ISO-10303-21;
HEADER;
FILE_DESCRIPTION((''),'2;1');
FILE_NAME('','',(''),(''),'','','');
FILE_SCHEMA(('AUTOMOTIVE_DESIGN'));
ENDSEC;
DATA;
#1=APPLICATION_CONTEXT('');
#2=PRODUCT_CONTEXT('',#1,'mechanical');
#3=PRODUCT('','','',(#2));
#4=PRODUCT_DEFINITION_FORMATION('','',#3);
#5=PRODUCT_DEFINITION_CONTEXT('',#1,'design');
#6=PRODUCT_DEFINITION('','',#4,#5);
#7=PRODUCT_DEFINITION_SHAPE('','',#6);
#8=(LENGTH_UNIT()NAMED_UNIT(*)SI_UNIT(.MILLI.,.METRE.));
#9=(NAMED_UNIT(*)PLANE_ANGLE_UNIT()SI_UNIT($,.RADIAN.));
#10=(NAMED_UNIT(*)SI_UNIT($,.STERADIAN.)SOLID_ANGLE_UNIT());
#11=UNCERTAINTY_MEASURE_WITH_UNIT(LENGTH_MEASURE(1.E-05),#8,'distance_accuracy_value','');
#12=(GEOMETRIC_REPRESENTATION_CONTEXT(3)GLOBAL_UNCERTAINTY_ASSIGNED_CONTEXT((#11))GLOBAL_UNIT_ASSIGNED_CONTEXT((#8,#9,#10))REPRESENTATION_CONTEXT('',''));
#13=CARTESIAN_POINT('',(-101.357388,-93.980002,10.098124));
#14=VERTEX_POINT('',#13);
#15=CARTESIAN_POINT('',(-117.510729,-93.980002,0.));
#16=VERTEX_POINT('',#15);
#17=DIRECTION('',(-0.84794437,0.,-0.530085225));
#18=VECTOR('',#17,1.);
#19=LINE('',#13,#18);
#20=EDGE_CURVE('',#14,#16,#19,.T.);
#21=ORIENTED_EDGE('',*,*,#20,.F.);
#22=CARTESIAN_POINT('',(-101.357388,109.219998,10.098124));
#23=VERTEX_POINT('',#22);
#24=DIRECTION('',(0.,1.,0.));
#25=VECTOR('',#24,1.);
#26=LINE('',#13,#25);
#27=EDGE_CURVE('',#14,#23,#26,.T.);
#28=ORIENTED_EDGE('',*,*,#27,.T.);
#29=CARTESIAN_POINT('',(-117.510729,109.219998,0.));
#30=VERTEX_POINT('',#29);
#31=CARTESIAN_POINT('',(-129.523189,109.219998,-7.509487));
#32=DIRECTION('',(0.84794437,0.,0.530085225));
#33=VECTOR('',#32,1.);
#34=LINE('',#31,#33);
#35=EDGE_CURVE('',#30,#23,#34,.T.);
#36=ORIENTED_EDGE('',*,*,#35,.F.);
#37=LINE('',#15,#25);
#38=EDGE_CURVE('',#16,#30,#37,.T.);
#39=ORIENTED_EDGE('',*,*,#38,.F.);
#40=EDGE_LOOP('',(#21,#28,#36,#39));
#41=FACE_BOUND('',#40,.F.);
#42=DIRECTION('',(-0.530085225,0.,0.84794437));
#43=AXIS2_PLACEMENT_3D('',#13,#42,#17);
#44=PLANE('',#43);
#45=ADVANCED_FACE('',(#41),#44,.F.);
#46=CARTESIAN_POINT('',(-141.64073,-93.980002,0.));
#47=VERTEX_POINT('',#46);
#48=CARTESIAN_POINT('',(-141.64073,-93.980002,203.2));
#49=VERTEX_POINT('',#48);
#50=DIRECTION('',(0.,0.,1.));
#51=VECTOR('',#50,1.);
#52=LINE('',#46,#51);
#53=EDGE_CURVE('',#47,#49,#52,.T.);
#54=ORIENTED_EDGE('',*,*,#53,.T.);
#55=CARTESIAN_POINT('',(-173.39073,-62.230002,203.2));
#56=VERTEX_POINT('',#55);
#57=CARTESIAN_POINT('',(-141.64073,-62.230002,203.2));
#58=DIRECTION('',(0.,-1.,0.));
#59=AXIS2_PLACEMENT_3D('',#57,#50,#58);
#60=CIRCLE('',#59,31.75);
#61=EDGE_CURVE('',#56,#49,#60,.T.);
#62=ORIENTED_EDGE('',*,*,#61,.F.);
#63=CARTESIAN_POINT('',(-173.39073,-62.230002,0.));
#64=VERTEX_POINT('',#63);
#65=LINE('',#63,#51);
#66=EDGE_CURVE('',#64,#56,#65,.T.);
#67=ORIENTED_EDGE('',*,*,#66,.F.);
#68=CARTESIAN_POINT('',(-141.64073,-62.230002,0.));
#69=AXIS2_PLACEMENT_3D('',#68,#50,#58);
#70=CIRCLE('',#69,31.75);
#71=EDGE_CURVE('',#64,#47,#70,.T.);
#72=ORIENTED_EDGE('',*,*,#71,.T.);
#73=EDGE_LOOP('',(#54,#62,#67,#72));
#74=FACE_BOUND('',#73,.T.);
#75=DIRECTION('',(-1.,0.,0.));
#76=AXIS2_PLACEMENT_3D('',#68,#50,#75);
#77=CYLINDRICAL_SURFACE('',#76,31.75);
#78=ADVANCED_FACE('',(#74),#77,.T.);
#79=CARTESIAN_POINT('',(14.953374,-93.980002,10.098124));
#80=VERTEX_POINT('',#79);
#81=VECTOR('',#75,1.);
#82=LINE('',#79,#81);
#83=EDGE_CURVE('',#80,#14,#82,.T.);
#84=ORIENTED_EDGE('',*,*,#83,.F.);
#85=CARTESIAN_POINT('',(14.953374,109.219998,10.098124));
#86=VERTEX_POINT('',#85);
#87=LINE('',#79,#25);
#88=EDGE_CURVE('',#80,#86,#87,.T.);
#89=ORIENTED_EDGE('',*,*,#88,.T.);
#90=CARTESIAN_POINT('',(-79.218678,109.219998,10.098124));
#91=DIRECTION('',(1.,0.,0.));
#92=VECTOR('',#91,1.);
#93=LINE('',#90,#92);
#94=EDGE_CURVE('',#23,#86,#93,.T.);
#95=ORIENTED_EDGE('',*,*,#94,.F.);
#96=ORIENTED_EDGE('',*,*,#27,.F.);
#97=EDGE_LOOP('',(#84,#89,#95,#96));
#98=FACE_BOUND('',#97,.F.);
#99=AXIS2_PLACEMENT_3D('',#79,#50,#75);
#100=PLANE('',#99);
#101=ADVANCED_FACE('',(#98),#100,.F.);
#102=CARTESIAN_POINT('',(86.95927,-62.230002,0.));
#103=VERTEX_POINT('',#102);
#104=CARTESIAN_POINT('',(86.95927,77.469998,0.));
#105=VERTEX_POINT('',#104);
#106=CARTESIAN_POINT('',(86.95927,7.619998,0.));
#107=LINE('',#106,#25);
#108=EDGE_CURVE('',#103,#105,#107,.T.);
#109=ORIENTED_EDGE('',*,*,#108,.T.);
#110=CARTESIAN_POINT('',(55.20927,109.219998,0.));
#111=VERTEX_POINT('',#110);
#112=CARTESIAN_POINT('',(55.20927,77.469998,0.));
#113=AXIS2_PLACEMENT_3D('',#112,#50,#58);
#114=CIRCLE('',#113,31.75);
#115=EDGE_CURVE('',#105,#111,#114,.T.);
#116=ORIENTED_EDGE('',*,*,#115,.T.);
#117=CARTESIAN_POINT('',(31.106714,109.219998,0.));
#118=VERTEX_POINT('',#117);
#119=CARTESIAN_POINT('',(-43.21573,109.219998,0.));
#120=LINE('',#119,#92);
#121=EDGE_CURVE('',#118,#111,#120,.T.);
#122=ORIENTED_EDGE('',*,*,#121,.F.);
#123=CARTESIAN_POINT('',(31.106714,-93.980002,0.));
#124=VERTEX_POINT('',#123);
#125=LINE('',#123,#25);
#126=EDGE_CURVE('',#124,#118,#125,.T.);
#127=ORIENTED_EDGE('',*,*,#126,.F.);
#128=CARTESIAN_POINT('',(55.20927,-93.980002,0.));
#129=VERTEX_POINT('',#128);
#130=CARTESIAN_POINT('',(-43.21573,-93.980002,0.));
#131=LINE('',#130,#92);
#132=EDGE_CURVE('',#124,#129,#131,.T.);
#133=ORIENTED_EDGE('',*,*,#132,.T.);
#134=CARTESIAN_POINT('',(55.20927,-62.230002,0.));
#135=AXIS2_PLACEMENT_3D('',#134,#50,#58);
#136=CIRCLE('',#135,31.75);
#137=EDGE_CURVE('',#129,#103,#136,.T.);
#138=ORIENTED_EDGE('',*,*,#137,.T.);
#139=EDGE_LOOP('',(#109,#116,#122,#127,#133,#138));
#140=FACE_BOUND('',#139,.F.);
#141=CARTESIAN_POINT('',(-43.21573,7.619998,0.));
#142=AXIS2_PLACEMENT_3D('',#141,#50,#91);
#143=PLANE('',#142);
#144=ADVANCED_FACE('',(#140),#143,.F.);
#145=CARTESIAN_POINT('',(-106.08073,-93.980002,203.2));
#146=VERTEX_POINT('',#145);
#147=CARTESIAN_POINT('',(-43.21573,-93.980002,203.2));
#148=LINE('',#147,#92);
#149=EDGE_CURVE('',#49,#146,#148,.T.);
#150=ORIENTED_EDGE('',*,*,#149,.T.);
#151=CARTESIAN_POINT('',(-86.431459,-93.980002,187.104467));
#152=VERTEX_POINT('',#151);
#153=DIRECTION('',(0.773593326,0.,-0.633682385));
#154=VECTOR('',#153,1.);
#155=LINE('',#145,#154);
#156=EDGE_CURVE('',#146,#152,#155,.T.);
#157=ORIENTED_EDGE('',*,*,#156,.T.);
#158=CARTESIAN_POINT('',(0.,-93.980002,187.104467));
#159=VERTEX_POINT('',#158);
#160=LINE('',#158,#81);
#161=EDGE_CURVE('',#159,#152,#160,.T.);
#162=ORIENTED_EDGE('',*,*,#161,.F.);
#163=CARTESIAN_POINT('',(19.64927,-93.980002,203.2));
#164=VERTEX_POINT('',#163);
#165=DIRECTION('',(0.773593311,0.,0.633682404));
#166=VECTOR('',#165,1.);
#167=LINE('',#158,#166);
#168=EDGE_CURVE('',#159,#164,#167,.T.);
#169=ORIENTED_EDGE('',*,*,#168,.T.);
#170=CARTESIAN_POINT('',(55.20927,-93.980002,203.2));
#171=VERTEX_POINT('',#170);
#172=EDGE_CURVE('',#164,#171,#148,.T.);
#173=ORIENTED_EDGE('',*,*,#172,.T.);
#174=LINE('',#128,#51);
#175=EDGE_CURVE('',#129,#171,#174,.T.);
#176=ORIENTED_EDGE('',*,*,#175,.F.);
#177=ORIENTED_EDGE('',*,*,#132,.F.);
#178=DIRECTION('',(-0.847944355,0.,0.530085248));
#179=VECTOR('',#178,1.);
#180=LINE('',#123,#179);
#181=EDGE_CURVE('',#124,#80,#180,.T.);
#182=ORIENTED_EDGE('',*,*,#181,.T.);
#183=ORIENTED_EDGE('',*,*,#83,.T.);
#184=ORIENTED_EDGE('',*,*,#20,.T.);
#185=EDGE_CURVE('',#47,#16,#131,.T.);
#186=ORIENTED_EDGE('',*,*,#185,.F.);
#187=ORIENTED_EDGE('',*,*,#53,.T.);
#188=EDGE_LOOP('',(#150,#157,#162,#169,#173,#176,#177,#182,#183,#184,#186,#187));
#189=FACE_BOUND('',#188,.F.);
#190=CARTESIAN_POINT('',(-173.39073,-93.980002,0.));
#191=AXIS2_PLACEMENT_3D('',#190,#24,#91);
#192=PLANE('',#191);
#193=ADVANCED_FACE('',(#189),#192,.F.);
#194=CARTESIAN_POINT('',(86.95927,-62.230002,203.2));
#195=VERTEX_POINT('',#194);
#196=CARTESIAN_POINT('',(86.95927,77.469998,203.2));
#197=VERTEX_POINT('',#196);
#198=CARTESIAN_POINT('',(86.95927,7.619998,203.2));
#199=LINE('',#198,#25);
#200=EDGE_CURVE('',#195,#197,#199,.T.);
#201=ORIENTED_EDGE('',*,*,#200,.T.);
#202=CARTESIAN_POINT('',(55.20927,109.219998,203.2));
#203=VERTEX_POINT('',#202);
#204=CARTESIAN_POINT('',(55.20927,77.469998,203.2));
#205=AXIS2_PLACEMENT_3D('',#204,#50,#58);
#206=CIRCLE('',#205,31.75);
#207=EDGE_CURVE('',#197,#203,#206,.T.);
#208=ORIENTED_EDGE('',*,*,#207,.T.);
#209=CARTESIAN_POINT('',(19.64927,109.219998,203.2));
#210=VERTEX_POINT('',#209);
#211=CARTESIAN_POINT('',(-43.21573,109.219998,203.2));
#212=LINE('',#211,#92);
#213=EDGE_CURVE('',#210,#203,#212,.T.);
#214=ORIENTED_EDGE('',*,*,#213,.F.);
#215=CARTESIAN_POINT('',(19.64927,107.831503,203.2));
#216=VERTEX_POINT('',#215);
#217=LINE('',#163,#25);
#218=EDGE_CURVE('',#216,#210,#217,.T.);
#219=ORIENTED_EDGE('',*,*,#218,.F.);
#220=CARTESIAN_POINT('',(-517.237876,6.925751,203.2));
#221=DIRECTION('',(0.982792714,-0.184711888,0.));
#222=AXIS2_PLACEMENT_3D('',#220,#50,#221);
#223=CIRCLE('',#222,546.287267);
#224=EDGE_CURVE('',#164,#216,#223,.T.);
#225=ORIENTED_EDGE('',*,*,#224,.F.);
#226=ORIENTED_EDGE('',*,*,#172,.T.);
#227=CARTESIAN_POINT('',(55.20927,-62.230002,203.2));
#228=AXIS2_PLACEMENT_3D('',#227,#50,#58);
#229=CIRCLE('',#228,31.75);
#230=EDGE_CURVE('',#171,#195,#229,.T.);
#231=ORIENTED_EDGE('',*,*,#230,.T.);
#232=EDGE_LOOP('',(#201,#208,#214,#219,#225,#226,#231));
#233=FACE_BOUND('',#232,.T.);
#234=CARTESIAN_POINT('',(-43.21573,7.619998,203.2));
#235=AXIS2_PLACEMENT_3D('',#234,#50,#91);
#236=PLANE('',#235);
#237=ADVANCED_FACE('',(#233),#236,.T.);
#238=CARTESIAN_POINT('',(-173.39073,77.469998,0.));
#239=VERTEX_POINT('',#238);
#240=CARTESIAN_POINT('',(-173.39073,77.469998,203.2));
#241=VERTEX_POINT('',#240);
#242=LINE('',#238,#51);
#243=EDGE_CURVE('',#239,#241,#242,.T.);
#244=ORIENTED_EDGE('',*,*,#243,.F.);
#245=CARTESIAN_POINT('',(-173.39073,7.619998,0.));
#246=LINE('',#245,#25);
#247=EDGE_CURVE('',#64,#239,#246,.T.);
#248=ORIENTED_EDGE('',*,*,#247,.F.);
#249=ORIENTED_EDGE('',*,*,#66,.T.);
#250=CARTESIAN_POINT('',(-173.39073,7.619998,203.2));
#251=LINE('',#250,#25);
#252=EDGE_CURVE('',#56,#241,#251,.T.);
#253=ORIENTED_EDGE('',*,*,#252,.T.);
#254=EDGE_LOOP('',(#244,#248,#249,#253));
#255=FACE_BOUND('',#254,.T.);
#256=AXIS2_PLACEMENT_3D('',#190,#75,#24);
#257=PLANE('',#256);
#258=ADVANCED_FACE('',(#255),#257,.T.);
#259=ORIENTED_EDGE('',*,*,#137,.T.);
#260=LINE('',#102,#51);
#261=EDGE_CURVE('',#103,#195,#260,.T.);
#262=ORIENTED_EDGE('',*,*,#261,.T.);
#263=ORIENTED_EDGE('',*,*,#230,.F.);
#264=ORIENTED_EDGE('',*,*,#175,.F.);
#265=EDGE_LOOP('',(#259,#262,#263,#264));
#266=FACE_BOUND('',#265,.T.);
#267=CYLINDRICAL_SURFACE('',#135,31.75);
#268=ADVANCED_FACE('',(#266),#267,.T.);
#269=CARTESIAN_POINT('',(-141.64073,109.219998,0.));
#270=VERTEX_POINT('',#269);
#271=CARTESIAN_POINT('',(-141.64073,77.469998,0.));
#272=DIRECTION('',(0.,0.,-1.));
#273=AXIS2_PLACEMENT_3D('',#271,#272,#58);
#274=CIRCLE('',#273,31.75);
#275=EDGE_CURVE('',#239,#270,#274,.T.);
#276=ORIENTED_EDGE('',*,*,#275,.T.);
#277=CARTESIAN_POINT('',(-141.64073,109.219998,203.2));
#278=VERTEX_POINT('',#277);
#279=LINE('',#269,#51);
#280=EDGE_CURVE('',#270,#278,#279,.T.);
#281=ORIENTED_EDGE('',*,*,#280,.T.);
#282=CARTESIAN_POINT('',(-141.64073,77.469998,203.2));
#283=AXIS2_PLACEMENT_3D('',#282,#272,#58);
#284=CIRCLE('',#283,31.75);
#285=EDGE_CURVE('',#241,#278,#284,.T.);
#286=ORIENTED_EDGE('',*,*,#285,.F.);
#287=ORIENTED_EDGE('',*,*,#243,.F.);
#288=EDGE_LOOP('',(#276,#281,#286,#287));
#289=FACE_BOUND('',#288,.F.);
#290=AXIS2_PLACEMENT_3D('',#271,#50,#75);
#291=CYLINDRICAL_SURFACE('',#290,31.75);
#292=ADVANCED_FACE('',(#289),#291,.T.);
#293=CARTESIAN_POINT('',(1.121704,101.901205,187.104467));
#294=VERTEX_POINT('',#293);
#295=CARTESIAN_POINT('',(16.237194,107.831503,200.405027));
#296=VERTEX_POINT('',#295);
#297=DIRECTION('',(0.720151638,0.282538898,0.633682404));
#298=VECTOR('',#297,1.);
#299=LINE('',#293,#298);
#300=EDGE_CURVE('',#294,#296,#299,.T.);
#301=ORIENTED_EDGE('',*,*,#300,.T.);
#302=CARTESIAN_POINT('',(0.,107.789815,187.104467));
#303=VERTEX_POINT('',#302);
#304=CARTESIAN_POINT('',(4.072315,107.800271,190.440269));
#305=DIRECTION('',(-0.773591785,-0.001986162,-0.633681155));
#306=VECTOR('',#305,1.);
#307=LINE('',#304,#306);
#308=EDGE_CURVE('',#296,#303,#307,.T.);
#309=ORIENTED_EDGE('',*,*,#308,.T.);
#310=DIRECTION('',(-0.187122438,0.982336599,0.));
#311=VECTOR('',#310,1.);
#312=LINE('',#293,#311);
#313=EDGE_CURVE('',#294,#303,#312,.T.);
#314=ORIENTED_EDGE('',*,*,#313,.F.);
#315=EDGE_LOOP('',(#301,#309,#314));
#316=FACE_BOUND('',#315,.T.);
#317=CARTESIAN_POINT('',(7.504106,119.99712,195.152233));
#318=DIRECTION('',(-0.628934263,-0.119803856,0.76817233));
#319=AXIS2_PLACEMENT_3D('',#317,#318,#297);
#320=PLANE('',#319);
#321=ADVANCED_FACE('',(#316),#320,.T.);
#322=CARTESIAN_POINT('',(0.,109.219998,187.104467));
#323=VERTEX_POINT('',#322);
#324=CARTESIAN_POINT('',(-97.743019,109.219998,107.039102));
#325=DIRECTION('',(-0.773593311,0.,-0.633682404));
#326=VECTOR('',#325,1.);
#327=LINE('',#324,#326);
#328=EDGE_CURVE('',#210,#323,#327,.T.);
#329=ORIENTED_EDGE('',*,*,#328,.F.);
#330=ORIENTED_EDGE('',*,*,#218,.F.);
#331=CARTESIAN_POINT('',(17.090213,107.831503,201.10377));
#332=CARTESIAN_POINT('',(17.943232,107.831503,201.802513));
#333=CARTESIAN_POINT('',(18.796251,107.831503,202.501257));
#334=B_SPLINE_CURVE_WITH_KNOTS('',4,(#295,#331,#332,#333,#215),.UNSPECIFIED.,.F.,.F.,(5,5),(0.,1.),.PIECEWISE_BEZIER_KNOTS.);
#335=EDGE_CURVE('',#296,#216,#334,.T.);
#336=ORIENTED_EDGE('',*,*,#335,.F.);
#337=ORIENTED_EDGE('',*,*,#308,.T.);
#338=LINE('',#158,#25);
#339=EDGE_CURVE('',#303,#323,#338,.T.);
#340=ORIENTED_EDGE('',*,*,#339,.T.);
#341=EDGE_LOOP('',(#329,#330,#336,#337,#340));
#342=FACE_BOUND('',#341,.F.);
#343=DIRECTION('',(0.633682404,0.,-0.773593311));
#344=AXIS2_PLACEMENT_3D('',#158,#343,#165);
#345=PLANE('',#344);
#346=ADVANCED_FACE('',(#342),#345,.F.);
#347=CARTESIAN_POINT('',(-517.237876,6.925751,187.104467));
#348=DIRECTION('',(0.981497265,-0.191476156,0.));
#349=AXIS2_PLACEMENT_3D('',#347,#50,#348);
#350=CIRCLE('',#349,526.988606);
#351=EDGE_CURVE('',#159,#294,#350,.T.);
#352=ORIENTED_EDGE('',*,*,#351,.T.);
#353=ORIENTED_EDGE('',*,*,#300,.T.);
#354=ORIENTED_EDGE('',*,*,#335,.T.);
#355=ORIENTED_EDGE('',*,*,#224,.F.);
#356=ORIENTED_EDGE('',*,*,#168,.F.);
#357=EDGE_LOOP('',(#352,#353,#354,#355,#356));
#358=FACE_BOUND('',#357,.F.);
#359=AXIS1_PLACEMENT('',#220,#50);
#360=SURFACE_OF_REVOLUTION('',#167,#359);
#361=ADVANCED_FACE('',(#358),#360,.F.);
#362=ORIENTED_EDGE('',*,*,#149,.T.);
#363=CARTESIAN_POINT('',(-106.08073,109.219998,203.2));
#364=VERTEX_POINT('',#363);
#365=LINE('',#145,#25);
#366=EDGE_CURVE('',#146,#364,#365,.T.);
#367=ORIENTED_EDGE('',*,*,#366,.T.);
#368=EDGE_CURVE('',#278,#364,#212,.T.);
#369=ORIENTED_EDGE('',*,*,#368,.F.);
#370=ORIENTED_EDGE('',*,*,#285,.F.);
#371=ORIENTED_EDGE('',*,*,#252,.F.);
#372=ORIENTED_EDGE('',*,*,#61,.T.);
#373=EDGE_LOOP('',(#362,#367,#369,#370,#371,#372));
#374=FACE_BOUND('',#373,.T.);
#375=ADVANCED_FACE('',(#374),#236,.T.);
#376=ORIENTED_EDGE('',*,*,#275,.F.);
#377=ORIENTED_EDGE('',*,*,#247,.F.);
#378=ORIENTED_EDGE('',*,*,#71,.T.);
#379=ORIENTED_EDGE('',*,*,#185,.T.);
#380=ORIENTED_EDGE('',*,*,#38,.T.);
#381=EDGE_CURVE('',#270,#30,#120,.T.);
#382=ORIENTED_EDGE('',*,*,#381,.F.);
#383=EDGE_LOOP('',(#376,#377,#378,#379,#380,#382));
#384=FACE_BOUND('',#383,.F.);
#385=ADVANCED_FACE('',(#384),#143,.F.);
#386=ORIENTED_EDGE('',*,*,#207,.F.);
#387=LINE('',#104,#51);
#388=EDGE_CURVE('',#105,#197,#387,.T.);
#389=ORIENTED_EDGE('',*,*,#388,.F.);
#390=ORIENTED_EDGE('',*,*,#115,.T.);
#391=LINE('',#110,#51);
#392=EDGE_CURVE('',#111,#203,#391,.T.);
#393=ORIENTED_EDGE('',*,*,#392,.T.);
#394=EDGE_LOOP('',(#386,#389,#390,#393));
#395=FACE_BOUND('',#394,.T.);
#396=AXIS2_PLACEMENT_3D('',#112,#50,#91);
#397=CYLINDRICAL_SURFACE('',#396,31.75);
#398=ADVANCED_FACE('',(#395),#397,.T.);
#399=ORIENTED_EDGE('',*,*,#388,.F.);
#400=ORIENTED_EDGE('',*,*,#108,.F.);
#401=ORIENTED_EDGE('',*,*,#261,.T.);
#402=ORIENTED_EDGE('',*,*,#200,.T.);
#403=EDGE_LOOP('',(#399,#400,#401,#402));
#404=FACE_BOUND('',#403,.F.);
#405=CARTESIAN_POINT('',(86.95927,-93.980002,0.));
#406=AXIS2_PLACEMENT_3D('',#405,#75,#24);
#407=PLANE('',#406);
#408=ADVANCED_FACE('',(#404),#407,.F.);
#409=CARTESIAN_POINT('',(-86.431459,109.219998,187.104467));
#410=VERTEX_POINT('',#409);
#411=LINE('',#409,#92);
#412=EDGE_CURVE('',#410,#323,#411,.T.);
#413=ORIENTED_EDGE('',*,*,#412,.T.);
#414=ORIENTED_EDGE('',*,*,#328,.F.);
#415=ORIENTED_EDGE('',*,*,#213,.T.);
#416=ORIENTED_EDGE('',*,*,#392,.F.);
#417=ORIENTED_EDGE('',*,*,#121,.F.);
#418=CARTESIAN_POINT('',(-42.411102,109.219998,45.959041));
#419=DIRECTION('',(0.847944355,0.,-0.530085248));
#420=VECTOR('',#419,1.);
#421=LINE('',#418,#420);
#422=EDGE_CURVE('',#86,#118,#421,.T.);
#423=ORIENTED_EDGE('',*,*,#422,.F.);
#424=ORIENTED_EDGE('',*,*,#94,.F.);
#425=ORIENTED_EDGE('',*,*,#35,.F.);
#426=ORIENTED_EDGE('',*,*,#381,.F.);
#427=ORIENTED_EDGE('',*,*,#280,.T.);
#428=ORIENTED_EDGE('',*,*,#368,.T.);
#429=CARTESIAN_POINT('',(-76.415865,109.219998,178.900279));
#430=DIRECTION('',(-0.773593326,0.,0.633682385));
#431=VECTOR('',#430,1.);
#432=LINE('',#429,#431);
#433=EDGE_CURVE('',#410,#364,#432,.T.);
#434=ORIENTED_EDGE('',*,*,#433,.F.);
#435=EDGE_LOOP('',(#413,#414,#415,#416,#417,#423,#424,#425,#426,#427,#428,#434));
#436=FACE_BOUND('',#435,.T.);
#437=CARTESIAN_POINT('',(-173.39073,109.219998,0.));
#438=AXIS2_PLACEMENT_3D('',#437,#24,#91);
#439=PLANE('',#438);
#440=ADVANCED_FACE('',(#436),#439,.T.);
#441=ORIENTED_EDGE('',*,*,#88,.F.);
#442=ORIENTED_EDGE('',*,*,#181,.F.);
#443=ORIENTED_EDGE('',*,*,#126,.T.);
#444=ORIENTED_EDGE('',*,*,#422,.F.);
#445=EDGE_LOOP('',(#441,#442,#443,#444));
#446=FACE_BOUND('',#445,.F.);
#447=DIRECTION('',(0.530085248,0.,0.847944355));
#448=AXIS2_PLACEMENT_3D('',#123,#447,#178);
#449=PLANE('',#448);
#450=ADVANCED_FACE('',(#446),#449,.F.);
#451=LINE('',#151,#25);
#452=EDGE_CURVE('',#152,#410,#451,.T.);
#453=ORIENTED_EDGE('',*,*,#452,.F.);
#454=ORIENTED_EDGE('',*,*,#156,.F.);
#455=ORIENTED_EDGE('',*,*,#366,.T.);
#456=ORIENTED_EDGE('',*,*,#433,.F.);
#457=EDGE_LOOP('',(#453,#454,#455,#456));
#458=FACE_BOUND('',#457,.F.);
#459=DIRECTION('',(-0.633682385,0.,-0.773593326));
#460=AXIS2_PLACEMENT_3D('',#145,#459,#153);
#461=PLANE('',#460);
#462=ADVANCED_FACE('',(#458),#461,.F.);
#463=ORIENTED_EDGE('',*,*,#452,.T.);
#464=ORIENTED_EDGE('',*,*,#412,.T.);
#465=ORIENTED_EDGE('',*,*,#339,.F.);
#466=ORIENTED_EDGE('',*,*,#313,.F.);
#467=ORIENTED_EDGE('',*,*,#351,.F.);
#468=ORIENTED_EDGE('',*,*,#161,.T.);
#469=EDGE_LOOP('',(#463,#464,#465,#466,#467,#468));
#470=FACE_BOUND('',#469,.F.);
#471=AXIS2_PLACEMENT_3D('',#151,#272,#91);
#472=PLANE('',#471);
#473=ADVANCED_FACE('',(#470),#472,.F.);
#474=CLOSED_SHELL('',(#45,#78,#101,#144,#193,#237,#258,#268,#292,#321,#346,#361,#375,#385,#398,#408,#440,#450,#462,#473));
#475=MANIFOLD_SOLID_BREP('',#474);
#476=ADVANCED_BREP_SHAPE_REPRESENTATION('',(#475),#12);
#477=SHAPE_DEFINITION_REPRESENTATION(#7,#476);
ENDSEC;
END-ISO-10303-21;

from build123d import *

# Parameters (mm, degrees)
F0_W     = 260.35
F0_H     = 203.2
F1_DEPTH = 203.2
F2_R     = 31.75
F4_DEPTH = 203.201


with BuildPart() as f1:
    # F0 (on Top) → F1 (new body)
    with BuildSketch(Plane.XY):
        with Locations((-43.21573, 7.619998)):
            Rectangle(F0_W, F0_H)
    extrude(amount=F1_DEPTH)

    # F2
    f2_edges = [f1.edges().sort_by_distance(p)[0] for p in [
        (-173.39073, 109.219998, 101.6),
        (-173.39073, -93.980002, 101.6),
        (86.95927, 109.219998, 101.6),
        (86.95927, -93.980002, 101.6),
    ]]
    fillet(f2_edges, radius=F2_R)

    # F3 (on face) → F4 (cut, through all)
    with BuildSketch(Plane.XZ.offset(93.980002)):
        Polygon((19.64927, 203.2), (-106.08073, 203.2), (-86.431459, 187.104467), (0, 187.104467), align=None)
        Polygon((-101.357388, 10.098124), (-117.510729, 0), (31.106714, 0), (14.953374, 10.098124), align=None)
    extrude(amount=-F4_DEPTH, mode=Mode.SUBTRACT)

    # F7: sweep along a path in F5
    with BuildLine(Plane.XY.offset(203.2)) as f7_path:
        ThreePointArc((20.038901, -93.980002), (29.431866, 7.632308), (19.77627, 109.219998))
        Line((19.77627, 109.219998), (14.249222, 138.23534))
    # F6 (on face) → F7 (sweep, cut)
    with BuildSketch(Plane.XZ.offset(93.980002)):
        Polygon((0, 187.104467), (19.64927, 203.2), (0, 203.2), (-25.094712, 203.330889), (-25.094712, 187.104467), align=None)
    sweep(path=f7_path.line, mode=Mode.SUBTRACT)


solid = f1.part
